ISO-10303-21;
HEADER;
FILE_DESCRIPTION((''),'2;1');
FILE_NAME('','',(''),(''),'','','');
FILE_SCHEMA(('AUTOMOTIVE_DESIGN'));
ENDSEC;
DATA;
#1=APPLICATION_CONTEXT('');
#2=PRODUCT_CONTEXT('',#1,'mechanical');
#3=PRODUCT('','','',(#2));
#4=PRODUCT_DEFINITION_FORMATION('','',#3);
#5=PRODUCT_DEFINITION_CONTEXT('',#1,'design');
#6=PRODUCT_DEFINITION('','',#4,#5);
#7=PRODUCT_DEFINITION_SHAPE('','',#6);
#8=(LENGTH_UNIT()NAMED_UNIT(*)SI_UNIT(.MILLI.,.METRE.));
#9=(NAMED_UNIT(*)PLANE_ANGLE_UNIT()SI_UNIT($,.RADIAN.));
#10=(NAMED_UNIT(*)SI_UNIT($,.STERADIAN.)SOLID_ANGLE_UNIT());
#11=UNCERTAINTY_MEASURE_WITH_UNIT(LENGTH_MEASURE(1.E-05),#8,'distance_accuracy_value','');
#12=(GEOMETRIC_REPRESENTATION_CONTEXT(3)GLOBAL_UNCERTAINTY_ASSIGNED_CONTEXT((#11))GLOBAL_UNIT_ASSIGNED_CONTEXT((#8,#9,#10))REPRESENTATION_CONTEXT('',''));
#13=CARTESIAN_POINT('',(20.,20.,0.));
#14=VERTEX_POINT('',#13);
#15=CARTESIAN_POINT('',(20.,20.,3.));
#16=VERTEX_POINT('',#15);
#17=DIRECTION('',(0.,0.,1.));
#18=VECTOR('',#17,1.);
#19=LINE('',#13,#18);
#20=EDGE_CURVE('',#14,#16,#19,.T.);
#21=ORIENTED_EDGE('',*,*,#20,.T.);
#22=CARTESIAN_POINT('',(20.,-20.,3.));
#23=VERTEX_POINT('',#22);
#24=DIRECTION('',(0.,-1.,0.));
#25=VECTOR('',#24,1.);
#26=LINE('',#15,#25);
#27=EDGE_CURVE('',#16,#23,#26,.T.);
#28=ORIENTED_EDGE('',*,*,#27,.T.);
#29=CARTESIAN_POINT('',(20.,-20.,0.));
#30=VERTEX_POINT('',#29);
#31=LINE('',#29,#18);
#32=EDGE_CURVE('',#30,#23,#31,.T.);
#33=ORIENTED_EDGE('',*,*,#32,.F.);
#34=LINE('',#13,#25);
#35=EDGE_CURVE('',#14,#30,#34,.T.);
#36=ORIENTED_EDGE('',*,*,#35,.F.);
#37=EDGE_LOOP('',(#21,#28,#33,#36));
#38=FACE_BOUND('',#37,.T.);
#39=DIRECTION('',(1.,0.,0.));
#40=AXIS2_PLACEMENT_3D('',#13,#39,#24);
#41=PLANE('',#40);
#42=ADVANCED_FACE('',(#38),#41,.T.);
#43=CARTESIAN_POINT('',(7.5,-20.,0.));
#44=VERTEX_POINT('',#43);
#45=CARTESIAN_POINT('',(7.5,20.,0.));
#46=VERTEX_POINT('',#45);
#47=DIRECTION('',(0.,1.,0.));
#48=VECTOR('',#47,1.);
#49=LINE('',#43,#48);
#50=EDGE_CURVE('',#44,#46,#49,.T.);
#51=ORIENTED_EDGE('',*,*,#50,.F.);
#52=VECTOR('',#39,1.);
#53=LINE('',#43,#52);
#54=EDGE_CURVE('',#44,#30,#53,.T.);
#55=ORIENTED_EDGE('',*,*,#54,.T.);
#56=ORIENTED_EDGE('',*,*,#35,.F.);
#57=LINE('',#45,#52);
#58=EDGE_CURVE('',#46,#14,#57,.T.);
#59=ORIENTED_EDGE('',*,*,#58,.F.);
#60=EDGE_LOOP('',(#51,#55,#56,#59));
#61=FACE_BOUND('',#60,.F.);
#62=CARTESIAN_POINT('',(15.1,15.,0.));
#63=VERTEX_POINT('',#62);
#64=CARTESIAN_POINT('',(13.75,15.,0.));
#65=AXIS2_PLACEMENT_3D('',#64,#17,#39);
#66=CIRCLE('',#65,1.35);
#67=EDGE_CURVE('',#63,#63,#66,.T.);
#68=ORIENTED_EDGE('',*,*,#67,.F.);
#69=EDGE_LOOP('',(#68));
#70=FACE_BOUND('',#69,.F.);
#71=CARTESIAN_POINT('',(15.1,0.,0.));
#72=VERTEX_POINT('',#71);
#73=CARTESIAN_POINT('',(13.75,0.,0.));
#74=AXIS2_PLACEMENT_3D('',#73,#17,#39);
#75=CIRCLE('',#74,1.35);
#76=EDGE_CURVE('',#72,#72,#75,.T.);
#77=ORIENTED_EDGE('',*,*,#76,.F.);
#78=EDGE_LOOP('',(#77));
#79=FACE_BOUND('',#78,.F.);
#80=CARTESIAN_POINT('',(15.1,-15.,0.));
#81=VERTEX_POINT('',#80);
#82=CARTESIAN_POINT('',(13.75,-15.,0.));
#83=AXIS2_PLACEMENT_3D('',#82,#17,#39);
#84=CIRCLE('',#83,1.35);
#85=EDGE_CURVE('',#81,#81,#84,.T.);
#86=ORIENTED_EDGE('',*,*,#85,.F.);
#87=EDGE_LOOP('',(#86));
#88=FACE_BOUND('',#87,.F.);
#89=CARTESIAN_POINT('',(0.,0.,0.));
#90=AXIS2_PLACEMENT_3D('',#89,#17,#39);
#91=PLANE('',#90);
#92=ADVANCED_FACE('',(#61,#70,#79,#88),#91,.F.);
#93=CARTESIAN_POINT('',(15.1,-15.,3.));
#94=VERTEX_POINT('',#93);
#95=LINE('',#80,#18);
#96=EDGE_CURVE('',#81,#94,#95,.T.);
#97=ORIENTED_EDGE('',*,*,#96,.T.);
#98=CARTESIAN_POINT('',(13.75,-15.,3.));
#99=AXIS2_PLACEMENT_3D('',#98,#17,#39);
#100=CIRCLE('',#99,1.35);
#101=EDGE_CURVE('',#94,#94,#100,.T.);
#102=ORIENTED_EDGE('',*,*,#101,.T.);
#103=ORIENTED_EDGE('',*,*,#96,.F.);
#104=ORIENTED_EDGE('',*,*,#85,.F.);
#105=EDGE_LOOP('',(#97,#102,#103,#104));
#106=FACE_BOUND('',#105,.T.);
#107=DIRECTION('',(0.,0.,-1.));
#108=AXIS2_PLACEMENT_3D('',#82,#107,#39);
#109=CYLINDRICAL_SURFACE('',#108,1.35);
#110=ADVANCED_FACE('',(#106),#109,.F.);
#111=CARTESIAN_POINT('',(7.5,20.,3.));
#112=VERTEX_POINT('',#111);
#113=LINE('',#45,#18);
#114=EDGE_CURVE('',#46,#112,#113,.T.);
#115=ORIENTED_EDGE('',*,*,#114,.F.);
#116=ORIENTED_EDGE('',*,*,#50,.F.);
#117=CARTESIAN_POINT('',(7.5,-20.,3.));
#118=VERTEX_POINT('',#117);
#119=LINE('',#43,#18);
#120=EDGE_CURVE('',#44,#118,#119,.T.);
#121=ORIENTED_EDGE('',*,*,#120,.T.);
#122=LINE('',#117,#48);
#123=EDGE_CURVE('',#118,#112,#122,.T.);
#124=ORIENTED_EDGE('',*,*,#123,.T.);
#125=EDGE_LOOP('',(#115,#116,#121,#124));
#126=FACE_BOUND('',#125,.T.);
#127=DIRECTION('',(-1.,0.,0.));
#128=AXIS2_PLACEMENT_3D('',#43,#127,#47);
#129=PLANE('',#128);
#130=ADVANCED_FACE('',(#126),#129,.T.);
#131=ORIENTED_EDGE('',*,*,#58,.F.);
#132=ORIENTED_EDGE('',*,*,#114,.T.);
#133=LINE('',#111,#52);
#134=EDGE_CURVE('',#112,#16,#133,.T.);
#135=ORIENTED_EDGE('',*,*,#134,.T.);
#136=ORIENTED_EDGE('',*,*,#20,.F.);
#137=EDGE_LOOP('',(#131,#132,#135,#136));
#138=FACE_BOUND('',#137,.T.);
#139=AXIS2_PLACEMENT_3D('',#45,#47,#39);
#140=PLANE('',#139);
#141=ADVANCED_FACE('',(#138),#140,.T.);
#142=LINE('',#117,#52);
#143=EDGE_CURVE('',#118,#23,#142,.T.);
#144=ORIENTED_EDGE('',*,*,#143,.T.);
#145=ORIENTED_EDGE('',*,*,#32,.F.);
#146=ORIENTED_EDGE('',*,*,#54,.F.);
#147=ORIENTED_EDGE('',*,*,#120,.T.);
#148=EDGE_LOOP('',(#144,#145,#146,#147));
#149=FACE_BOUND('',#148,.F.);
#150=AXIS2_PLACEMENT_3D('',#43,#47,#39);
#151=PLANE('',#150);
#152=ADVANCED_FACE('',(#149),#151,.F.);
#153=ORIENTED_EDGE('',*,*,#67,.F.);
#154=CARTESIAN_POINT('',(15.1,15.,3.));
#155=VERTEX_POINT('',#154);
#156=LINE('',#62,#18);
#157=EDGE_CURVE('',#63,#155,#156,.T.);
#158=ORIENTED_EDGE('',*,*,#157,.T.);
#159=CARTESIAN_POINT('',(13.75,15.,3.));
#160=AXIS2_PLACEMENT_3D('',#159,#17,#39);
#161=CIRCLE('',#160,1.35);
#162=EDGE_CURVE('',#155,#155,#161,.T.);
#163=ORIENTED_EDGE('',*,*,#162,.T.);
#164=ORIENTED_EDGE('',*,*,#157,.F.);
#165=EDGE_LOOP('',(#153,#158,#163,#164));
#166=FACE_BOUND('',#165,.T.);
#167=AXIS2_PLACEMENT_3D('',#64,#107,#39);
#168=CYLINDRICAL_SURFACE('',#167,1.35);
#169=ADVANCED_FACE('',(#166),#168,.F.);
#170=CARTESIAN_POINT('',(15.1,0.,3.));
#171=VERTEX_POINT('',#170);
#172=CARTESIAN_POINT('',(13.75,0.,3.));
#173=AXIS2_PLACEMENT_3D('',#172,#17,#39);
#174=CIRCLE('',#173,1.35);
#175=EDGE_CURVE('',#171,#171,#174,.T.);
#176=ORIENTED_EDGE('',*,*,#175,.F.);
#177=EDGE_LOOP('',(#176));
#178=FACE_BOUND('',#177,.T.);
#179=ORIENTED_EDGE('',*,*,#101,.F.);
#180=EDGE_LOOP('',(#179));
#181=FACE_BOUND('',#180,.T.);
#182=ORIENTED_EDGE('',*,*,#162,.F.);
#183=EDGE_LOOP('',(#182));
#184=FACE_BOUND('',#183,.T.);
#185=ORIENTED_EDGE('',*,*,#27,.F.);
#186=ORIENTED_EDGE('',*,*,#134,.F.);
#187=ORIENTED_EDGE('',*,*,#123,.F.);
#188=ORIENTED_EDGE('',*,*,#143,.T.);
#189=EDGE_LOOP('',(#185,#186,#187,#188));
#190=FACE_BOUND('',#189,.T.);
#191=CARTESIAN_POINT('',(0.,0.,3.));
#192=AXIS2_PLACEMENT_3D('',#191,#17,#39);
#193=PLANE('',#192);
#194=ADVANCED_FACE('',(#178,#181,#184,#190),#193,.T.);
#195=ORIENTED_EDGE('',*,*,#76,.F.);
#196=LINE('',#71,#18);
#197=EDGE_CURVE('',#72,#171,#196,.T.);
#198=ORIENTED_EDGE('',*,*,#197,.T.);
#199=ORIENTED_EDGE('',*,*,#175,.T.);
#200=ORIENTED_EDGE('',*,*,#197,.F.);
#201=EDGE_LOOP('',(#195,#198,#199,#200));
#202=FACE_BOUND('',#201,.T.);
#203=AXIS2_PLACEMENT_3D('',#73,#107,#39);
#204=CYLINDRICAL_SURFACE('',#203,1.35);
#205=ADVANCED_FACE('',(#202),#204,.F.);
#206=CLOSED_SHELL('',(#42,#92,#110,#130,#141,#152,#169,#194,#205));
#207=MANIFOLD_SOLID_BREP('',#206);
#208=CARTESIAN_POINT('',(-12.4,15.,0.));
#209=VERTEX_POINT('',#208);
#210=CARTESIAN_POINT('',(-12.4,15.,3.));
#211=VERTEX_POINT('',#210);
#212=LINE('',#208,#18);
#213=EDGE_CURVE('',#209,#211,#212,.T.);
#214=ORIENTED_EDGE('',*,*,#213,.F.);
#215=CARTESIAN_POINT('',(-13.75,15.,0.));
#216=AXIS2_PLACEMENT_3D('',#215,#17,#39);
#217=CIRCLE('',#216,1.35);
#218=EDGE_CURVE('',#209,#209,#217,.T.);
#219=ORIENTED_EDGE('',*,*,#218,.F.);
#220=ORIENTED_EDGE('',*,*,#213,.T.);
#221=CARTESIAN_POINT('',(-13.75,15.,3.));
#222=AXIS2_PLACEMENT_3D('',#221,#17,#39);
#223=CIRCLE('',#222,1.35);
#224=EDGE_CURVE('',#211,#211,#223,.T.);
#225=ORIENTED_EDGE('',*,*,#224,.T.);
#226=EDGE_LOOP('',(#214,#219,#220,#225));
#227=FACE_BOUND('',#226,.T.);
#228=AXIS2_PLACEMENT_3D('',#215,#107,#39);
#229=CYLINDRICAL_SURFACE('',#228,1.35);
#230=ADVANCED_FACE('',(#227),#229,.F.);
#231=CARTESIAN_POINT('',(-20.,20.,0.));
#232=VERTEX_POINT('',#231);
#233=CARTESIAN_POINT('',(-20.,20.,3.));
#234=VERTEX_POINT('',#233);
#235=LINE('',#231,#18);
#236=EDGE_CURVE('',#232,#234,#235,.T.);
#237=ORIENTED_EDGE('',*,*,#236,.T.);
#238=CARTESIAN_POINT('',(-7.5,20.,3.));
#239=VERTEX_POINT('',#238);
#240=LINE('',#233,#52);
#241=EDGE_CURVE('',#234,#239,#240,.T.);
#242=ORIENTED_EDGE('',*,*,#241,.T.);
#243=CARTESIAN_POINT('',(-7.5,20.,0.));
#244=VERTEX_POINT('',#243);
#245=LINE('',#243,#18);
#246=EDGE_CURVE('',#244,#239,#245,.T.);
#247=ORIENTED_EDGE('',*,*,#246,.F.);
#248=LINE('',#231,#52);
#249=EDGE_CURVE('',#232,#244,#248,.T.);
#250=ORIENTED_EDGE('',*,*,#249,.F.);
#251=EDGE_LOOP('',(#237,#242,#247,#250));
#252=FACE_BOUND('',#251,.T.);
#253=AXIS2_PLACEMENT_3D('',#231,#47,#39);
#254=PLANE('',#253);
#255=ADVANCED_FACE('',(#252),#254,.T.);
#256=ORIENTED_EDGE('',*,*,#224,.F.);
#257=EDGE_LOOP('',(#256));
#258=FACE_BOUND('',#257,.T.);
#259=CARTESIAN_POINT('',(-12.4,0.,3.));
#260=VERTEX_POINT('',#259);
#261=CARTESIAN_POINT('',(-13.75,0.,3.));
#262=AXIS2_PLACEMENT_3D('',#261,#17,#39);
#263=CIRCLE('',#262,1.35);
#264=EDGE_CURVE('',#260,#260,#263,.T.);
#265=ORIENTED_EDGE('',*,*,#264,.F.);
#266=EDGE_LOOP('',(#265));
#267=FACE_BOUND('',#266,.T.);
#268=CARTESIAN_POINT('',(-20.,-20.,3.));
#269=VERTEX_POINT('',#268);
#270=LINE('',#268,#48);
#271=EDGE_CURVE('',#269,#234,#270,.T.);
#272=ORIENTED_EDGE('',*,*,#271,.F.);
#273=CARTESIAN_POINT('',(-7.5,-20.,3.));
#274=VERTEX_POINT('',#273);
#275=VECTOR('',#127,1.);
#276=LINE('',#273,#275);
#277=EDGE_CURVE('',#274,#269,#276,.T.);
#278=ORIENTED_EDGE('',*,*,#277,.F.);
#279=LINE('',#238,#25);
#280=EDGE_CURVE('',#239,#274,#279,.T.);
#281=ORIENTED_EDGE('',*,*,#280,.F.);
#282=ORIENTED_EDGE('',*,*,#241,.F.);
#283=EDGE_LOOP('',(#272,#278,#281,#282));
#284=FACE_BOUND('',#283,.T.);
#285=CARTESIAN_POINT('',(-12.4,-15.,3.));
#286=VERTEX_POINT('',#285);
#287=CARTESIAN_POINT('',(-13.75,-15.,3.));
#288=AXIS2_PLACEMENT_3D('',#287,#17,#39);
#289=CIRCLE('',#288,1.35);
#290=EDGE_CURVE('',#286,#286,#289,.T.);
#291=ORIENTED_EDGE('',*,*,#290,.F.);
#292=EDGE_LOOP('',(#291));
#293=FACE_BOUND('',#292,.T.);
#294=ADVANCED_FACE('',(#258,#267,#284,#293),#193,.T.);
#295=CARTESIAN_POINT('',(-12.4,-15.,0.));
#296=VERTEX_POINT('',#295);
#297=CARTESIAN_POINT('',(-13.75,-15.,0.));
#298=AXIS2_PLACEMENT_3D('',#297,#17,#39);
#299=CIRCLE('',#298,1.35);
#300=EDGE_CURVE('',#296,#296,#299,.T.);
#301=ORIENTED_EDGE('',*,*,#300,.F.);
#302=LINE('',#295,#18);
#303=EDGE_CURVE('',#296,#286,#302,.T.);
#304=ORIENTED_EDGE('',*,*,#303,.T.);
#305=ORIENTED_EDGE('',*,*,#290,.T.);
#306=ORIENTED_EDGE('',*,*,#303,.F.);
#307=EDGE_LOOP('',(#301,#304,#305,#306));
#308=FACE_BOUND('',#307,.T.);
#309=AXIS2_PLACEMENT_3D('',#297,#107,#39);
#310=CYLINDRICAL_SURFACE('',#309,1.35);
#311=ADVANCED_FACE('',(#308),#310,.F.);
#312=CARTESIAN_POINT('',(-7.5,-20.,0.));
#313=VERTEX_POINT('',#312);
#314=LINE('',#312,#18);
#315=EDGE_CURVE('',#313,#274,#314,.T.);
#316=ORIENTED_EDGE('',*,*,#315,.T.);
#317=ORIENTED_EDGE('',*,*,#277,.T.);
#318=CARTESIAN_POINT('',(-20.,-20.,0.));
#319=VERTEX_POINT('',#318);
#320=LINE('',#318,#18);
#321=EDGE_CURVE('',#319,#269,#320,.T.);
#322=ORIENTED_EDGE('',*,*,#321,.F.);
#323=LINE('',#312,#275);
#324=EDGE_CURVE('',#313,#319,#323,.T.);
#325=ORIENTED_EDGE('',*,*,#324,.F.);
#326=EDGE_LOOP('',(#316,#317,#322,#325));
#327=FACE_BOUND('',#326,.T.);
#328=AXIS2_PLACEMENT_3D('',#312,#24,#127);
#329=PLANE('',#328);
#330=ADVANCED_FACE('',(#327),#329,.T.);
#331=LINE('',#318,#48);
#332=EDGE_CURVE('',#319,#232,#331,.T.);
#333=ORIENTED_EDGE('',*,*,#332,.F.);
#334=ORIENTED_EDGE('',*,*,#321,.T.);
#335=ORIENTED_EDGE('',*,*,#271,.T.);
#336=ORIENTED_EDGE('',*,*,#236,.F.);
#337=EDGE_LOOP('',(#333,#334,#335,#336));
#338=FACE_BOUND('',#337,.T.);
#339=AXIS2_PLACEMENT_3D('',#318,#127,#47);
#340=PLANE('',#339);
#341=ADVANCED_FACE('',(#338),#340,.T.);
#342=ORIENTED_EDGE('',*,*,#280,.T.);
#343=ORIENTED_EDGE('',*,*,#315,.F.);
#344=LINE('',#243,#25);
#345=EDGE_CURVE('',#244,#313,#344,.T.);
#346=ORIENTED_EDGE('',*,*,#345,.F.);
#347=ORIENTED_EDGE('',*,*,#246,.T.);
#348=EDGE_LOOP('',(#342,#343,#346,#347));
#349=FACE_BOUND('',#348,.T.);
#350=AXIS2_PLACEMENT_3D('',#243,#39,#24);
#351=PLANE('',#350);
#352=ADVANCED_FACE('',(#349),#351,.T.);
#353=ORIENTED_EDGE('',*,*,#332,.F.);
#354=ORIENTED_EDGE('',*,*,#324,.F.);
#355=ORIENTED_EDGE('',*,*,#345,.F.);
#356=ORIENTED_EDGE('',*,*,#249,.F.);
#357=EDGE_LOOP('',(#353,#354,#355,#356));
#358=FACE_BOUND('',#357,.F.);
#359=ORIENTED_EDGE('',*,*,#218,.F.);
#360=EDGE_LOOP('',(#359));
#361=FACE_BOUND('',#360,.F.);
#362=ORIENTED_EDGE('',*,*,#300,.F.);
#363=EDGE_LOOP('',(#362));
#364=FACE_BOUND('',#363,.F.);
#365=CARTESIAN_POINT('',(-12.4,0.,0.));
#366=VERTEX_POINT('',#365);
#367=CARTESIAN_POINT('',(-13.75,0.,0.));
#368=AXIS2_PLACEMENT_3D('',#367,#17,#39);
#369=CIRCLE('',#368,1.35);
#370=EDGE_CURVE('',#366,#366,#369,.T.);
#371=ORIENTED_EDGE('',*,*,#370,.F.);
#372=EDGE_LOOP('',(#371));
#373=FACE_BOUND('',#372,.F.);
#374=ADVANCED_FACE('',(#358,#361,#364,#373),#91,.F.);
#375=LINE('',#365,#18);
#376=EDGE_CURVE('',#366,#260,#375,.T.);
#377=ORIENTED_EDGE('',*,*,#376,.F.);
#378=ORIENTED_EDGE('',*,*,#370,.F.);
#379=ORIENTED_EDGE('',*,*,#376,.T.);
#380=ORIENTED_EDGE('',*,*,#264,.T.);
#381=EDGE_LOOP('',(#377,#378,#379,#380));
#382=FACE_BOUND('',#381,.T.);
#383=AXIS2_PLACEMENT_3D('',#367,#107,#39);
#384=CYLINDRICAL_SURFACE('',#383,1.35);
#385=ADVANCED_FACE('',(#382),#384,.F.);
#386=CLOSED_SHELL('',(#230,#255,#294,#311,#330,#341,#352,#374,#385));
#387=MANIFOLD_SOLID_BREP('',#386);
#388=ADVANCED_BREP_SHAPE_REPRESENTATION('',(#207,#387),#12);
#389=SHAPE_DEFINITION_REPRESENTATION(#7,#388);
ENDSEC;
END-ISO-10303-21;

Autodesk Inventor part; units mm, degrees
ref_plane "YZ Plane" through (0, 0, 0) normal (1, 0, 0) x (0, 1, 0)
ref_plane "XZ Plane" through (0, 0, 0) normal (0, 1, 0) x (-1, 0, 0)
ref_plane "XY Plane" through (0, 0, 0) normal (0, 0, 1) x (1, 0, 0)
sketch "Sketch1" plane through (0, 0, 0) normal (0, 0, 1) x (1, 0, 0)
  circle A0 centre (13.75, 0) radius 1.35 projected
  circle A1 centre (-13.75, 0) radius 1.35 projected
  line L0 (-20, -20) -> (20, -20) construction
  line L1 (20, -20) -> (20, 20) construction
  line L2 (20, 20) -> (-20, 20) construction
  line L3 (-20, 20) -> (-20, -20) construction
  line L4 (7.5, 21.5731) -> (-7.5, 21.5731) construction
  line L5 (-7.5, 21.5731) -> (-7.5, -28.4269) construction
  line L6 (-7.5, -28.4269) -> (7.5, -28.4269) construction
  line L7 (7.5, -28.4269) -> (7.5, 21.5731) construction
  line L8 (20, 20) -> (20, -20)
  line L9 (7.5, -20) -> (20, -20)
  line L10 (7.5, -20) -> (7.5, 20)
  line L11 (7.5, 20) -> (20, 20)
  line L12 (-7.5, 20) -> (-7.5, -20)
  line L13 (-7.5, -20) -> (-20, -20)
  line L14 (-20, -20) -> (-20, 20)
  line L15 (-20, 20) -> (-7.5, 20)
  circle A2 centre (-13.75, 0) radius 1.35 construction
  circle A3 centre (13.75, 0) radius 1.35 construction
  line L16 (20, 10) -> (-20, 10) construction
  line L17 (-20, 10) -> (-20, -10) construction
  line L18 (-20, -10) -> (20, -10) construction
  line L19 (20, -10) -> (20, 10) construction
  circle A4 centre (-13.75, 15) radius 1.35
  circle A5 centre (13.75, 15) radius 1.35
  circle A6 centre (-13.75, -15) radius 1.35
  circle A7 centre (13.75, -15) radius 1.35
  circle A8 centre (-13.75, -15) radius 1.35 projected
  circle A9 centre (13.75, -15) radius 1.35 projected
  circle A10 centre (13.75, 15) radius 1.35 projected
  circle A11 centre (-13.75, 15) radius 1.35 projected
  point P0 (0, 0)
  dimension "d0" = 2.7
  dimension "d1" = 10
  dimension "d2" = 5
  dimension "d3" = 12.5
  dimension "d4" = 6.25
  dimension "d7" = 27.5
  dimension "d10" = 30
extrude "Extrusion1" add sketch "Sketch1" along normal blind 3
equation "\"d2\" = 0.5 * d1"
equation "\"d4\" = 0.5 * d3"
